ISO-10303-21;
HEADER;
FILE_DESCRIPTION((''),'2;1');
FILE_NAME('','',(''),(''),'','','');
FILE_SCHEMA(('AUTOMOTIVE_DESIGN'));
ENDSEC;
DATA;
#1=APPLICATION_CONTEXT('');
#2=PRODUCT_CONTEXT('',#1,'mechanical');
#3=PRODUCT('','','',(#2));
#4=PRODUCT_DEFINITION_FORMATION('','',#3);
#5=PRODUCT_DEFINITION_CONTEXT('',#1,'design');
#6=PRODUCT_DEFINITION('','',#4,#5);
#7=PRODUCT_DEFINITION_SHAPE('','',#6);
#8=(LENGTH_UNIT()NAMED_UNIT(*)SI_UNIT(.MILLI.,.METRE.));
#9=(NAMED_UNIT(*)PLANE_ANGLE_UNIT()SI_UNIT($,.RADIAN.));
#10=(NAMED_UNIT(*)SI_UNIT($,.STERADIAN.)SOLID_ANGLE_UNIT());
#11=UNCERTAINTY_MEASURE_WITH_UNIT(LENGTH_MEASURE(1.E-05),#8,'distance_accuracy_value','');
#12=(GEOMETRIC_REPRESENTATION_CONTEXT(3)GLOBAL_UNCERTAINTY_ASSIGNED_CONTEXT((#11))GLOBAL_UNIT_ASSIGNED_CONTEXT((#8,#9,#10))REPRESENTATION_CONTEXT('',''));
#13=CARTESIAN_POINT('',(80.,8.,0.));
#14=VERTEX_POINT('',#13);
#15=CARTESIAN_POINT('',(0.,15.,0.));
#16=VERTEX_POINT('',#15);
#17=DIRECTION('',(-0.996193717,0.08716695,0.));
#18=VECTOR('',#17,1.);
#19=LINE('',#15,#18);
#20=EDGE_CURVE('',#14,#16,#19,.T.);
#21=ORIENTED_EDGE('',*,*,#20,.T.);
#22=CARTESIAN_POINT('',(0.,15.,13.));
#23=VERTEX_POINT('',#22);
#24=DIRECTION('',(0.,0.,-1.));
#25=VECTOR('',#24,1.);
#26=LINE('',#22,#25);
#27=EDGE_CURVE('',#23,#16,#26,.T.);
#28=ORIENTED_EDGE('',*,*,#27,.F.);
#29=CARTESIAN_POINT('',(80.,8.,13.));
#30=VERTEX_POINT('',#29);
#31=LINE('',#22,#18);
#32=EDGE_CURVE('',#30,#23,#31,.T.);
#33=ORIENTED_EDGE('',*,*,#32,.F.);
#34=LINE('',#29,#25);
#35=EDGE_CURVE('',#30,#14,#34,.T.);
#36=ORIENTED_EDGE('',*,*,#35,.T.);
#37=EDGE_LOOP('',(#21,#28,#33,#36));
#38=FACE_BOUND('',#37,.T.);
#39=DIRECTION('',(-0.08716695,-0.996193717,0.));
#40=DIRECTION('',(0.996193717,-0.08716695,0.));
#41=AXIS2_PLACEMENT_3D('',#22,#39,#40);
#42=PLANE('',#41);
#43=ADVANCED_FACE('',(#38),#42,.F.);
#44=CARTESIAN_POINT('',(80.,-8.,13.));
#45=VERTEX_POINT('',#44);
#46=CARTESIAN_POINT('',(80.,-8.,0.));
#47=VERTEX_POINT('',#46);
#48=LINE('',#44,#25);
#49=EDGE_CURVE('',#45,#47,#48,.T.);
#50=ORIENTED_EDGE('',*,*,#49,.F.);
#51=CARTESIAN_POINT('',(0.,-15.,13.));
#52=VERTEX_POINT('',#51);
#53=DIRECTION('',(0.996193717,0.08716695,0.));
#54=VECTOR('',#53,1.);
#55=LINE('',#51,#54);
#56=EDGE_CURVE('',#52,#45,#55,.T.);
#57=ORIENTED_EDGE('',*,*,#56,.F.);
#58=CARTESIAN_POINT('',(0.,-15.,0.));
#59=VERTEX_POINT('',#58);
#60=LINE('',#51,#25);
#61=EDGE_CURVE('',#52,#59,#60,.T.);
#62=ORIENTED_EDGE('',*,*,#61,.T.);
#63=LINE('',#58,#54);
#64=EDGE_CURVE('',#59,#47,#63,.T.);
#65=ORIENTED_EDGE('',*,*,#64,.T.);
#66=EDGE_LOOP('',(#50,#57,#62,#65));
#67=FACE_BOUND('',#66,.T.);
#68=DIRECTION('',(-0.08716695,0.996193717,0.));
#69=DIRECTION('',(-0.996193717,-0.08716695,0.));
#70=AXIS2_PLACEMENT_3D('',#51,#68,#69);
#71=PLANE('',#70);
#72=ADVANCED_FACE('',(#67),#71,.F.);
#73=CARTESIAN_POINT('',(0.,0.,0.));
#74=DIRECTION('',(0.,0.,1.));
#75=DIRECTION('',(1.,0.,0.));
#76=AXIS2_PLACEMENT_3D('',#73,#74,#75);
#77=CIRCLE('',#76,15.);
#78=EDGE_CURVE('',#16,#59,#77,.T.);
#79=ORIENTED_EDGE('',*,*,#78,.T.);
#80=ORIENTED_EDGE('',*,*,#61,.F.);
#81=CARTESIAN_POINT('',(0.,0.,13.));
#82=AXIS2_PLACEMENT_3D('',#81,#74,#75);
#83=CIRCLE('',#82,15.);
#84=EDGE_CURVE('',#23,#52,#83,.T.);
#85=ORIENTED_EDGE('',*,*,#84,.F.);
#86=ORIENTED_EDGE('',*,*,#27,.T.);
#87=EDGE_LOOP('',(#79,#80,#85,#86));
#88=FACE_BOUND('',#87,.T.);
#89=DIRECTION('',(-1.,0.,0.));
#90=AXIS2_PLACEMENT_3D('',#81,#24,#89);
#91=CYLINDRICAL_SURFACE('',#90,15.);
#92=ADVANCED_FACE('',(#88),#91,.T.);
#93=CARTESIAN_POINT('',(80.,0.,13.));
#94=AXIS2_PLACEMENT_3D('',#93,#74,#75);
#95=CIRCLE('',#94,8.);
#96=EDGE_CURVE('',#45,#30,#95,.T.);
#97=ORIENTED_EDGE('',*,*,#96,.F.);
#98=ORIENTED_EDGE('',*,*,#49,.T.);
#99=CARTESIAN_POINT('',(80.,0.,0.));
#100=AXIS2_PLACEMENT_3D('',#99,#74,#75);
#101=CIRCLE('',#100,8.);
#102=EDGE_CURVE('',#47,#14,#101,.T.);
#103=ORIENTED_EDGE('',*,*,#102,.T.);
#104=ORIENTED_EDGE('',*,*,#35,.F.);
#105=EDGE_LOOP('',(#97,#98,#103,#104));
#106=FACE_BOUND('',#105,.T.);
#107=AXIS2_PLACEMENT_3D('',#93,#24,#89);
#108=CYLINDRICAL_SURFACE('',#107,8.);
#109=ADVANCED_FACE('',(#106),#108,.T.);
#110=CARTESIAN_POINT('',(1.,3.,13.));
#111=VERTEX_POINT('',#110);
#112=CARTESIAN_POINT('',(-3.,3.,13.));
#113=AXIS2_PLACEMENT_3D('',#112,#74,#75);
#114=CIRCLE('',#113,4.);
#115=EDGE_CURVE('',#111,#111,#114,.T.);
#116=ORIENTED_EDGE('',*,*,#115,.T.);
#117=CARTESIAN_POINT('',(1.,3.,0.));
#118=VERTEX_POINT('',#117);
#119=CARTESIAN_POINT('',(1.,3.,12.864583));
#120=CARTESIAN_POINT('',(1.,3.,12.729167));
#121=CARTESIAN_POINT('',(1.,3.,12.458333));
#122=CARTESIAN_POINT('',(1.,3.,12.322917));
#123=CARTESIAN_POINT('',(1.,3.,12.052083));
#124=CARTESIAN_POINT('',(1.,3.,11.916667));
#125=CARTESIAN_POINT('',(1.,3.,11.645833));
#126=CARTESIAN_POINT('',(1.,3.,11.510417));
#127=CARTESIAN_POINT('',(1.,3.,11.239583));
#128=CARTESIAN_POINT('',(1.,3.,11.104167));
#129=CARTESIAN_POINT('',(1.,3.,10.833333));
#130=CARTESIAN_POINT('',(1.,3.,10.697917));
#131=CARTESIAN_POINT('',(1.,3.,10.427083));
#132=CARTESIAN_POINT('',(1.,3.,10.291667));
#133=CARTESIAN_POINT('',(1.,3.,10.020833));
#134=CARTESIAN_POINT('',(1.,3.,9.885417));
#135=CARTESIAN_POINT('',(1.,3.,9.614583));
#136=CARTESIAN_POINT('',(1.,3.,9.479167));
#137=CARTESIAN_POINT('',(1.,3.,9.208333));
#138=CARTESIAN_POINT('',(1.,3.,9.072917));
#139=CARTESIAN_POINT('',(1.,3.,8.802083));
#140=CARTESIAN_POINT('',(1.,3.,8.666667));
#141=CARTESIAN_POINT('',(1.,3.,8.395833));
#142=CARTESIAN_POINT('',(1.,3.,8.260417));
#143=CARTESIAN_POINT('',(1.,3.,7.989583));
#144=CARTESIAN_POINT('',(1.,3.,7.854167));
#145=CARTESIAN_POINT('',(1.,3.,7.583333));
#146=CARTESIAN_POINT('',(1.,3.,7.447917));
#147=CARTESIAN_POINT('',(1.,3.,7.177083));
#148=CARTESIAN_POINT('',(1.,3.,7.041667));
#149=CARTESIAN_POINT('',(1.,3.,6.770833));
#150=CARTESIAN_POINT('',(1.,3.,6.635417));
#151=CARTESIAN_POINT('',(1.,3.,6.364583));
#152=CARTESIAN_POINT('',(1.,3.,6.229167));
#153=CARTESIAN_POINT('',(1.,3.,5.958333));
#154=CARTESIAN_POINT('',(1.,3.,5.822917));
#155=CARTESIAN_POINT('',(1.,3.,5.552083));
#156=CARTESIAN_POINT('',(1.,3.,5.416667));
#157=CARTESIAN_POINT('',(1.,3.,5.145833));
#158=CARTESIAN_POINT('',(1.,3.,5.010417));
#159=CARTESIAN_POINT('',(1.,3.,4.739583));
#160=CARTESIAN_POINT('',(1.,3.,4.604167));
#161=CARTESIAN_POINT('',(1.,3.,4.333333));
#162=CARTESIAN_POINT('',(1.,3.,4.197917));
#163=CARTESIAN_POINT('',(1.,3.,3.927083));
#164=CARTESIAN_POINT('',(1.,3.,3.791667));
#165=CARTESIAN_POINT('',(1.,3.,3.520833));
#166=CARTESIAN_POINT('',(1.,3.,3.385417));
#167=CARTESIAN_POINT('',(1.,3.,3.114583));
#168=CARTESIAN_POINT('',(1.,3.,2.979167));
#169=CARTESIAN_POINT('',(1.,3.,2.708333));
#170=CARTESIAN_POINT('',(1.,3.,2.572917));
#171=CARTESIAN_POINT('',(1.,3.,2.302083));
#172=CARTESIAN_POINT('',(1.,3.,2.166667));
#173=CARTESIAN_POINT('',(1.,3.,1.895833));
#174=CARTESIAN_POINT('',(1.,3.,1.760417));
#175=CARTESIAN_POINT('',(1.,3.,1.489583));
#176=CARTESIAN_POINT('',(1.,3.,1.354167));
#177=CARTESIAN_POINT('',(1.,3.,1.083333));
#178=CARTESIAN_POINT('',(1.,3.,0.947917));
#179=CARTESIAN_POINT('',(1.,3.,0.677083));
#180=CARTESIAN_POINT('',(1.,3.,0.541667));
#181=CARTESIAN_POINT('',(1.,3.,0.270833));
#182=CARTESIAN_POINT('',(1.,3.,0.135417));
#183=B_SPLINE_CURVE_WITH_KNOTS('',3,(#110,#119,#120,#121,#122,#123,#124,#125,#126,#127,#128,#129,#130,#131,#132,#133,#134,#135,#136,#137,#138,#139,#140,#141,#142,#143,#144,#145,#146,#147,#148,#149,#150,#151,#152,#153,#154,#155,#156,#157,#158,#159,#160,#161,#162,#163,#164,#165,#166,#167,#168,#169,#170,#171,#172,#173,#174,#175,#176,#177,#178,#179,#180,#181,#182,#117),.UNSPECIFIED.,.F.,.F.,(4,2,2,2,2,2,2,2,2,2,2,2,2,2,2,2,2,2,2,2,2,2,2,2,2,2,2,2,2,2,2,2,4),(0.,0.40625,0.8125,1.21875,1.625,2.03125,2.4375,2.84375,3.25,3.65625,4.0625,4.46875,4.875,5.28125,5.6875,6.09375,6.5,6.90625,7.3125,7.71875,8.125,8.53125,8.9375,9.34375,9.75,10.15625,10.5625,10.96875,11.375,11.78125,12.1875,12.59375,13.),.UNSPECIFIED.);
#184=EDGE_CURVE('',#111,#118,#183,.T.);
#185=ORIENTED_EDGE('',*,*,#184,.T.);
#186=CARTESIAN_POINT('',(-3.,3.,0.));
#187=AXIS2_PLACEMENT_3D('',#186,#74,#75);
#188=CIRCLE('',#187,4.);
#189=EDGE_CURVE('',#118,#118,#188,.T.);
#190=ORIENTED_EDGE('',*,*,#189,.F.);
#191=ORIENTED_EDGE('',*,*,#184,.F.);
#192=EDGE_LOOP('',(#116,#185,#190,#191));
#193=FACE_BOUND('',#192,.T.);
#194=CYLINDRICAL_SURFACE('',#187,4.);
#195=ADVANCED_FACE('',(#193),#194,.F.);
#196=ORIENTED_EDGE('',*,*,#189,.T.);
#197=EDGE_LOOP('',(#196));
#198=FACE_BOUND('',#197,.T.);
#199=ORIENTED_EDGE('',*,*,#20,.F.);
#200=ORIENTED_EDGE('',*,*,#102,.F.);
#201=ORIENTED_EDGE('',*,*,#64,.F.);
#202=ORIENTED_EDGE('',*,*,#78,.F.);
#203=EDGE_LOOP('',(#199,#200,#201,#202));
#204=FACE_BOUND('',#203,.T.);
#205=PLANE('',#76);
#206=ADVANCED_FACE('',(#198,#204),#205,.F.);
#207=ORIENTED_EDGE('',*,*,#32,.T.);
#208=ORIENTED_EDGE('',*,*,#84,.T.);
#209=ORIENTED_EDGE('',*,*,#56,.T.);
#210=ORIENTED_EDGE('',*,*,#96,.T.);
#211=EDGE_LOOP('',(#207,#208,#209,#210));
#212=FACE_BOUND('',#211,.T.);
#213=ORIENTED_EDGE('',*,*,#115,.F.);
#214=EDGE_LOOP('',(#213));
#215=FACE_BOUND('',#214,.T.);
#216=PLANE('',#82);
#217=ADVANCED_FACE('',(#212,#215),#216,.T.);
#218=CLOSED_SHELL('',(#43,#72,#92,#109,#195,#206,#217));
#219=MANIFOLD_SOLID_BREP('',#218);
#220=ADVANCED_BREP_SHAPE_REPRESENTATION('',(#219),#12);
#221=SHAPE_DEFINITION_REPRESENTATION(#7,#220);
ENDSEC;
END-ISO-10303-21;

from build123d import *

# Parameters (mm, degrees)
BOSS_EXTRU_1_DEPTH           = 13
ENL_V_MAT_EXTRU_1_DEPTH      = 91.210864091
ENL_V_MAT_EXTRU_1_DEPTH_BACK = 91.210864091
ESQUISSE2_R                  = 4


with BuildPart() as part:
    # Esquisse1 → Boss.-Extru.1 (new body)
    with BuildSketch(Plane.XY):
        with BuildLine():
            Line((0, 15), (80, 8))
            ThreePointArc((80, 8), (88, 0), (80, -8))
            Line((80, -8), (0, -15))
            ThreePointArc((0, -15), (-15, 0), (0, 15))
        make_face()
    extrude(amount=BOSS_EXTRU_1_DEPTH)

    # Esquisse2 → Enlèv. mat.-Extru.1 (cut, two sides: drawn at the far end of the back side and taken through both)
    with BuildSketch(Plane.XY.offset(13).offset(-ENL_V_MAT_EXTRU_1_DEPTH_BACK)):
        with Locations((-3, 3)):
            Circle(ESQUISSE2_R)
    extrude(amount=ENL_V_MAT_EXTRU_1_DEPTH + ENL_V_MAT_EXTRU_1_DEPTH_BACK, mode=Mode.SUBTRACT)


solid = part.part
